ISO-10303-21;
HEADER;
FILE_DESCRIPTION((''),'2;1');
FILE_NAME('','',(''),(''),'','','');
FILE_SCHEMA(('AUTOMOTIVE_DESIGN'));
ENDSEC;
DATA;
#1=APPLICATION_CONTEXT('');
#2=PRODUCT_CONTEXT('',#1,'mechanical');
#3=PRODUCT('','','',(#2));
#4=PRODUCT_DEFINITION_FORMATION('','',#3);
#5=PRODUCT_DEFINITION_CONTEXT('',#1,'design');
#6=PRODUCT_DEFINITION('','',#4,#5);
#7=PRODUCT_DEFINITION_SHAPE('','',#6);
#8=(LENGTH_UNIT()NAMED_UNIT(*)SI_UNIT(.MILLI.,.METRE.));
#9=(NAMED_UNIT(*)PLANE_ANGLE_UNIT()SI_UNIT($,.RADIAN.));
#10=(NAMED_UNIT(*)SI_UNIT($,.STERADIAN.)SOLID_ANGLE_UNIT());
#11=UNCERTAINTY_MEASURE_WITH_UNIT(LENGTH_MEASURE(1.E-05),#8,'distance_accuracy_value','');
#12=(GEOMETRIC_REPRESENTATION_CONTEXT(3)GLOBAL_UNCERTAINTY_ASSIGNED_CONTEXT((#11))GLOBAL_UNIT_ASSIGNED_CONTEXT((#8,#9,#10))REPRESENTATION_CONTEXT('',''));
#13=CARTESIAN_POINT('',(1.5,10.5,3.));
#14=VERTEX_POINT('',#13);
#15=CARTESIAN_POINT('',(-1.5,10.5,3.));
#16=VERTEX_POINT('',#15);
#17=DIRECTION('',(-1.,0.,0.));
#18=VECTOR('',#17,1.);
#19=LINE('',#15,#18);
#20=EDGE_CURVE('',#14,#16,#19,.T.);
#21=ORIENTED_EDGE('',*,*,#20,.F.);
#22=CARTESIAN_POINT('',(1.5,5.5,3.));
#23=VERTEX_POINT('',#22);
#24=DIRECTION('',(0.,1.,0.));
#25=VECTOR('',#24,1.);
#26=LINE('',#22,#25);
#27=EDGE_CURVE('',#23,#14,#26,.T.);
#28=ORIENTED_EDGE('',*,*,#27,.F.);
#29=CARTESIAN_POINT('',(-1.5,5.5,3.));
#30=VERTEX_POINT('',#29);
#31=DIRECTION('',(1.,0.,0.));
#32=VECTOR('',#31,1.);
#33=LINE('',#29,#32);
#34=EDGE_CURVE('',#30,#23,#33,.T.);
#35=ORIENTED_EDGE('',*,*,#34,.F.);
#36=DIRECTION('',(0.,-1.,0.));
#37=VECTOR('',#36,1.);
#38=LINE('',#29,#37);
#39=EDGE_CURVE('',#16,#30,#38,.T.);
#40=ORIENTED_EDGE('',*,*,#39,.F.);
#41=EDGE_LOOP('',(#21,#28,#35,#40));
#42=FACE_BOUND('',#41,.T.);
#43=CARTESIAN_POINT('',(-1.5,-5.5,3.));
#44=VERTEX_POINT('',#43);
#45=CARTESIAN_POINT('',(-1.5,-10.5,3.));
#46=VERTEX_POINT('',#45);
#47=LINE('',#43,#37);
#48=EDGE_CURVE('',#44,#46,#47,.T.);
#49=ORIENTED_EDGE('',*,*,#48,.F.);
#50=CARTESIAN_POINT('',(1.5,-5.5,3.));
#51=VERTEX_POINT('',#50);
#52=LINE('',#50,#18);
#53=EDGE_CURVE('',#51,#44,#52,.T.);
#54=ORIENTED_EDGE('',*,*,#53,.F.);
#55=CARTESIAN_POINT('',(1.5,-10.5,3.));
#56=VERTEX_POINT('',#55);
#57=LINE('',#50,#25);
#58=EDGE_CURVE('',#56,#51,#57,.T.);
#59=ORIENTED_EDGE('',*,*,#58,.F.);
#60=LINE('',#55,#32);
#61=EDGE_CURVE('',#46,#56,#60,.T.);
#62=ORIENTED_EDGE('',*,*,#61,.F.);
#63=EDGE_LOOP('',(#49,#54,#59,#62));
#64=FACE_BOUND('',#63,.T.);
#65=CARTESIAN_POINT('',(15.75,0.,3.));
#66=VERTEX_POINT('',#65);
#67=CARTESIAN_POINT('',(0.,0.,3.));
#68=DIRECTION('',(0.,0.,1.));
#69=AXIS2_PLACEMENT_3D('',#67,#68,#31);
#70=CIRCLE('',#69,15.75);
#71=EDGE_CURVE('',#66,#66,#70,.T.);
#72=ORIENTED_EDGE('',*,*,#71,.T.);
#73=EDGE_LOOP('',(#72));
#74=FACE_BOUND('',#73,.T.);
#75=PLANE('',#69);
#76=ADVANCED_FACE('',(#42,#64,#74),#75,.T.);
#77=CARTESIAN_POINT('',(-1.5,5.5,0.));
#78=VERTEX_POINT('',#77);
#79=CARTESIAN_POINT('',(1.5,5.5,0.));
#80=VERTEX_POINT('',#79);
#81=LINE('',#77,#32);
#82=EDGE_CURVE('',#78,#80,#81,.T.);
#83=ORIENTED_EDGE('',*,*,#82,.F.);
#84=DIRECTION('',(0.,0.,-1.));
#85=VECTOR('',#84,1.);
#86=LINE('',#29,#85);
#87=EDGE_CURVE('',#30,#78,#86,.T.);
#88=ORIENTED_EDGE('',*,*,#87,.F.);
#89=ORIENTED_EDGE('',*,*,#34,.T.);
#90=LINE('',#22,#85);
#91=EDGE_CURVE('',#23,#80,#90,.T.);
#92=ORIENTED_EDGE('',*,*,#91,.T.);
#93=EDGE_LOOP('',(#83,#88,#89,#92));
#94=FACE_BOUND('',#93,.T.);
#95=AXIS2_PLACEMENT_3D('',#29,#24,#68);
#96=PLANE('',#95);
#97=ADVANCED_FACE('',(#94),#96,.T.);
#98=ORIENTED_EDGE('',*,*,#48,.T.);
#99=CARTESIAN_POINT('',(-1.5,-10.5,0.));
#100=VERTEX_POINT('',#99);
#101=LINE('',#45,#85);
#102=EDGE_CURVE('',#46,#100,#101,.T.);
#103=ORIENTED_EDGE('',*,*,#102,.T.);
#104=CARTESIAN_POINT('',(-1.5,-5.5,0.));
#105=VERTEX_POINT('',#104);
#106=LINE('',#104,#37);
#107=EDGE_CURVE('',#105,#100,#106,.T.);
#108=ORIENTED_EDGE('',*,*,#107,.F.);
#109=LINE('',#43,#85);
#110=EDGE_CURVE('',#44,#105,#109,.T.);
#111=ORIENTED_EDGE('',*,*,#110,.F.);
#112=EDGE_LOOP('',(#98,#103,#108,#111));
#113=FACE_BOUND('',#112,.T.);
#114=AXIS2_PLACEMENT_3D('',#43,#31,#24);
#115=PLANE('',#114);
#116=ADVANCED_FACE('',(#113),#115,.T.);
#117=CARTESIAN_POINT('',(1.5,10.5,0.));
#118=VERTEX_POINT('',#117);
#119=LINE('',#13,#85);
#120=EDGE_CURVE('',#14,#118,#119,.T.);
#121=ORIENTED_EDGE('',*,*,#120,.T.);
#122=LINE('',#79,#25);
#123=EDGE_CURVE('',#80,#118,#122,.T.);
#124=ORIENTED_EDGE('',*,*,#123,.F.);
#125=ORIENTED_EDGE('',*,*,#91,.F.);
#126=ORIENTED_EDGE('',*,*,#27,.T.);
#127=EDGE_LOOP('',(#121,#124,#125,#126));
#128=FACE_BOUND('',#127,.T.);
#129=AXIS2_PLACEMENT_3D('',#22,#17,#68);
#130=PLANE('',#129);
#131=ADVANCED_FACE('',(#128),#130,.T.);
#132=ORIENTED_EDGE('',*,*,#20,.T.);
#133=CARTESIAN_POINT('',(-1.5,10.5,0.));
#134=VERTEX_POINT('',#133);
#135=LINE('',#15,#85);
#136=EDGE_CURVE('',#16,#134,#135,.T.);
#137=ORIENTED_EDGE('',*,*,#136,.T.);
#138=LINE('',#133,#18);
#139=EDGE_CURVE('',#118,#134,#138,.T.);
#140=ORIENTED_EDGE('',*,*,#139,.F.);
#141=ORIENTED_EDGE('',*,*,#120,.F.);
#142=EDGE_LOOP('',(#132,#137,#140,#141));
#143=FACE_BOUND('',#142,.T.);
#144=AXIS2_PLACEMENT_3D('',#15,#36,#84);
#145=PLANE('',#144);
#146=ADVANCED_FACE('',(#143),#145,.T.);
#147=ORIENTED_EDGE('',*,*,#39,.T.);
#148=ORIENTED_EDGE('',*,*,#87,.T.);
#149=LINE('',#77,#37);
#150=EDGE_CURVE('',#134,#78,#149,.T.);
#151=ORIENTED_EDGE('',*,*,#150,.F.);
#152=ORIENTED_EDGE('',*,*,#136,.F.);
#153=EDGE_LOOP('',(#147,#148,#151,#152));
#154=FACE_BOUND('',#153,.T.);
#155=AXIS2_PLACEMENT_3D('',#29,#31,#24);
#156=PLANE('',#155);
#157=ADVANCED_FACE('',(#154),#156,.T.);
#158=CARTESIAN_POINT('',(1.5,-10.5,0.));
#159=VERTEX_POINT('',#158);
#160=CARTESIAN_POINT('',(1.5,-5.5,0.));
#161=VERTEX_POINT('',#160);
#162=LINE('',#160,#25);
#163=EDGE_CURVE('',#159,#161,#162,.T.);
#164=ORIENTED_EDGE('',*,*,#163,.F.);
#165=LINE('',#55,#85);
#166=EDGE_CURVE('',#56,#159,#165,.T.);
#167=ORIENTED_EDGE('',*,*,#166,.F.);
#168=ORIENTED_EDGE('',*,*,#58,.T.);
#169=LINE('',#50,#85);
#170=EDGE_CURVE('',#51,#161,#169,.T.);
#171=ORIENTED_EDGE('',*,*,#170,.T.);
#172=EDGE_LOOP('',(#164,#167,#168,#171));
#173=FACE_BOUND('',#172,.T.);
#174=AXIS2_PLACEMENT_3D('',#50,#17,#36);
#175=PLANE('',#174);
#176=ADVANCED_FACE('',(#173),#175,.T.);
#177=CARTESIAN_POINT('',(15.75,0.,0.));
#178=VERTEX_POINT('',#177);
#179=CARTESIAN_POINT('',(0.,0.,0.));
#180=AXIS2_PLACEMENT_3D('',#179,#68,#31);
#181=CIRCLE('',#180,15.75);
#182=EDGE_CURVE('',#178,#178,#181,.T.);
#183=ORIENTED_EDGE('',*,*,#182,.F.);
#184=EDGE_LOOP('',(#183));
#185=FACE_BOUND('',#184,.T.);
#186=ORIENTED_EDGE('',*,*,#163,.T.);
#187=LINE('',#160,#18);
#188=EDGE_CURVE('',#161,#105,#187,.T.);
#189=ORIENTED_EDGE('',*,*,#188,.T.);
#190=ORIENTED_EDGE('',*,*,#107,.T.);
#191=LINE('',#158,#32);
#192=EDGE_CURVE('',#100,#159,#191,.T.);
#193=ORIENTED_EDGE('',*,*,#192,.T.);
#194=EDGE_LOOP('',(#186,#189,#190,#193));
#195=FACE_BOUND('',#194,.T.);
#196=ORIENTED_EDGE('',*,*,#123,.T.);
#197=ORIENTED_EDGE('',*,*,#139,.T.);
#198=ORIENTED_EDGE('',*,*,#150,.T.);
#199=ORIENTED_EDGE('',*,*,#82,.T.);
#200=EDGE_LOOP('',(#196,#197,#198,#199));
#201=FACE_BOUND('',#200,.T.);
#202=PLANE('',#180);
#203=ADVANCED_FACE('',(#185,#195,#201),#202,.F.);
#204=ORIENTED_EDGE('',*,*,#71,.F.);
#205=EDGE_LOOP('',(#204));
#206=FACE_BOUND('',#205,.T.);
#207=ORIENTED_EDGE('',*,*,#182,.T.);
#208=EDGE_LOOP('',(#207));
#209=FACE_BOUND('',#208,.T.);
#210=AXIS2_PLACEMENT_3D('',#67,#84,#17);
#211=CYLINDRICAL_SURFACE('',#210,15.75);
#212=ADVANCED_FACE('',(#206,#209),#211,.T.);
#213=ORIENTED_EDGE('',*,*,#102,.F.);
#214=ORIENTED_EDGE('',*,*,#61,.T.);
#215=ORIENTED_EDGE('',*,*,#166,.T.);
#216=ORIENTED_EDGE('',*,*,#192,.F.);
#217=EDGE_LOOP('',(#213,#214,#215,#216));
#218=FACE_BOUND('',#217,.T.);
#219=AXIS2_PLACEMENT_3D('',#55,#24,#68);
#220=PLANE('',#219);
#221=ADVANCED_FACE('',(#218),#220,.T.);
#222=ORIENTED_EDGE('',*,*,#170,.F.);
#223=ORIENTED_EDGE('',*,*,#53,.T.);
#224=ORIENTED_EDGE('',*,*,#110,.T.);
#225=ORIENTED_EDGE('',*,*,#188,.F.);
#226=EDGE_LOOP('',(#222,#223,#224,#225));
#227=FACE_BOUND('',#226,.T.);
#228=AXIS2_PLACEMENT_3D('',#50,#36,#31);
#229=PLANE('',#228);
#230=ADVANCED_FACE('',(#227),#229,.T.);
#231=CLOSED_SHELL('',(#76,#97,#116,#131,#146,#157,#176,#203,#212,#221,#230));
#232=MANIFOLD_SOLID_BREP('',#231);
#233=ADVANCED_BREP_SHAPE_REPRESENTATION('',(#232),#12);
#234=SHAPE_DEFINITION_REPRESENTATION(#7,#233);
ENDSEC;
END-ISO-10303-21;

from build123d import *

# Parameters (mm, degrees)
ESQUISSE1_R        = 15.75
ESQUISSE1_W        = 3
ESQUISSE1_H        = 5
BOSS_EXTRU_1_DEPTH = 3


with BuildPart() as part:
    # Esquisse1 → Boss.-Extru.1 (new body)
    with BuildSketch(Plane.XY):
        Circle(ESQUISSE1_R)
        with Locations((0, 8)):
            Rectangle(ESQUISSE1_W, ESQUISSE1_H, mode=Mode.SUBTRACT)
        with Locations((0, -8)):
            Rectangle(ESQUISSE1_W, ESQUISSE1_H, mode=Mode.SUBTRACT)
    extrude(amount=BOSS_EXTRU_1_DEPTH)


solid = part.part
